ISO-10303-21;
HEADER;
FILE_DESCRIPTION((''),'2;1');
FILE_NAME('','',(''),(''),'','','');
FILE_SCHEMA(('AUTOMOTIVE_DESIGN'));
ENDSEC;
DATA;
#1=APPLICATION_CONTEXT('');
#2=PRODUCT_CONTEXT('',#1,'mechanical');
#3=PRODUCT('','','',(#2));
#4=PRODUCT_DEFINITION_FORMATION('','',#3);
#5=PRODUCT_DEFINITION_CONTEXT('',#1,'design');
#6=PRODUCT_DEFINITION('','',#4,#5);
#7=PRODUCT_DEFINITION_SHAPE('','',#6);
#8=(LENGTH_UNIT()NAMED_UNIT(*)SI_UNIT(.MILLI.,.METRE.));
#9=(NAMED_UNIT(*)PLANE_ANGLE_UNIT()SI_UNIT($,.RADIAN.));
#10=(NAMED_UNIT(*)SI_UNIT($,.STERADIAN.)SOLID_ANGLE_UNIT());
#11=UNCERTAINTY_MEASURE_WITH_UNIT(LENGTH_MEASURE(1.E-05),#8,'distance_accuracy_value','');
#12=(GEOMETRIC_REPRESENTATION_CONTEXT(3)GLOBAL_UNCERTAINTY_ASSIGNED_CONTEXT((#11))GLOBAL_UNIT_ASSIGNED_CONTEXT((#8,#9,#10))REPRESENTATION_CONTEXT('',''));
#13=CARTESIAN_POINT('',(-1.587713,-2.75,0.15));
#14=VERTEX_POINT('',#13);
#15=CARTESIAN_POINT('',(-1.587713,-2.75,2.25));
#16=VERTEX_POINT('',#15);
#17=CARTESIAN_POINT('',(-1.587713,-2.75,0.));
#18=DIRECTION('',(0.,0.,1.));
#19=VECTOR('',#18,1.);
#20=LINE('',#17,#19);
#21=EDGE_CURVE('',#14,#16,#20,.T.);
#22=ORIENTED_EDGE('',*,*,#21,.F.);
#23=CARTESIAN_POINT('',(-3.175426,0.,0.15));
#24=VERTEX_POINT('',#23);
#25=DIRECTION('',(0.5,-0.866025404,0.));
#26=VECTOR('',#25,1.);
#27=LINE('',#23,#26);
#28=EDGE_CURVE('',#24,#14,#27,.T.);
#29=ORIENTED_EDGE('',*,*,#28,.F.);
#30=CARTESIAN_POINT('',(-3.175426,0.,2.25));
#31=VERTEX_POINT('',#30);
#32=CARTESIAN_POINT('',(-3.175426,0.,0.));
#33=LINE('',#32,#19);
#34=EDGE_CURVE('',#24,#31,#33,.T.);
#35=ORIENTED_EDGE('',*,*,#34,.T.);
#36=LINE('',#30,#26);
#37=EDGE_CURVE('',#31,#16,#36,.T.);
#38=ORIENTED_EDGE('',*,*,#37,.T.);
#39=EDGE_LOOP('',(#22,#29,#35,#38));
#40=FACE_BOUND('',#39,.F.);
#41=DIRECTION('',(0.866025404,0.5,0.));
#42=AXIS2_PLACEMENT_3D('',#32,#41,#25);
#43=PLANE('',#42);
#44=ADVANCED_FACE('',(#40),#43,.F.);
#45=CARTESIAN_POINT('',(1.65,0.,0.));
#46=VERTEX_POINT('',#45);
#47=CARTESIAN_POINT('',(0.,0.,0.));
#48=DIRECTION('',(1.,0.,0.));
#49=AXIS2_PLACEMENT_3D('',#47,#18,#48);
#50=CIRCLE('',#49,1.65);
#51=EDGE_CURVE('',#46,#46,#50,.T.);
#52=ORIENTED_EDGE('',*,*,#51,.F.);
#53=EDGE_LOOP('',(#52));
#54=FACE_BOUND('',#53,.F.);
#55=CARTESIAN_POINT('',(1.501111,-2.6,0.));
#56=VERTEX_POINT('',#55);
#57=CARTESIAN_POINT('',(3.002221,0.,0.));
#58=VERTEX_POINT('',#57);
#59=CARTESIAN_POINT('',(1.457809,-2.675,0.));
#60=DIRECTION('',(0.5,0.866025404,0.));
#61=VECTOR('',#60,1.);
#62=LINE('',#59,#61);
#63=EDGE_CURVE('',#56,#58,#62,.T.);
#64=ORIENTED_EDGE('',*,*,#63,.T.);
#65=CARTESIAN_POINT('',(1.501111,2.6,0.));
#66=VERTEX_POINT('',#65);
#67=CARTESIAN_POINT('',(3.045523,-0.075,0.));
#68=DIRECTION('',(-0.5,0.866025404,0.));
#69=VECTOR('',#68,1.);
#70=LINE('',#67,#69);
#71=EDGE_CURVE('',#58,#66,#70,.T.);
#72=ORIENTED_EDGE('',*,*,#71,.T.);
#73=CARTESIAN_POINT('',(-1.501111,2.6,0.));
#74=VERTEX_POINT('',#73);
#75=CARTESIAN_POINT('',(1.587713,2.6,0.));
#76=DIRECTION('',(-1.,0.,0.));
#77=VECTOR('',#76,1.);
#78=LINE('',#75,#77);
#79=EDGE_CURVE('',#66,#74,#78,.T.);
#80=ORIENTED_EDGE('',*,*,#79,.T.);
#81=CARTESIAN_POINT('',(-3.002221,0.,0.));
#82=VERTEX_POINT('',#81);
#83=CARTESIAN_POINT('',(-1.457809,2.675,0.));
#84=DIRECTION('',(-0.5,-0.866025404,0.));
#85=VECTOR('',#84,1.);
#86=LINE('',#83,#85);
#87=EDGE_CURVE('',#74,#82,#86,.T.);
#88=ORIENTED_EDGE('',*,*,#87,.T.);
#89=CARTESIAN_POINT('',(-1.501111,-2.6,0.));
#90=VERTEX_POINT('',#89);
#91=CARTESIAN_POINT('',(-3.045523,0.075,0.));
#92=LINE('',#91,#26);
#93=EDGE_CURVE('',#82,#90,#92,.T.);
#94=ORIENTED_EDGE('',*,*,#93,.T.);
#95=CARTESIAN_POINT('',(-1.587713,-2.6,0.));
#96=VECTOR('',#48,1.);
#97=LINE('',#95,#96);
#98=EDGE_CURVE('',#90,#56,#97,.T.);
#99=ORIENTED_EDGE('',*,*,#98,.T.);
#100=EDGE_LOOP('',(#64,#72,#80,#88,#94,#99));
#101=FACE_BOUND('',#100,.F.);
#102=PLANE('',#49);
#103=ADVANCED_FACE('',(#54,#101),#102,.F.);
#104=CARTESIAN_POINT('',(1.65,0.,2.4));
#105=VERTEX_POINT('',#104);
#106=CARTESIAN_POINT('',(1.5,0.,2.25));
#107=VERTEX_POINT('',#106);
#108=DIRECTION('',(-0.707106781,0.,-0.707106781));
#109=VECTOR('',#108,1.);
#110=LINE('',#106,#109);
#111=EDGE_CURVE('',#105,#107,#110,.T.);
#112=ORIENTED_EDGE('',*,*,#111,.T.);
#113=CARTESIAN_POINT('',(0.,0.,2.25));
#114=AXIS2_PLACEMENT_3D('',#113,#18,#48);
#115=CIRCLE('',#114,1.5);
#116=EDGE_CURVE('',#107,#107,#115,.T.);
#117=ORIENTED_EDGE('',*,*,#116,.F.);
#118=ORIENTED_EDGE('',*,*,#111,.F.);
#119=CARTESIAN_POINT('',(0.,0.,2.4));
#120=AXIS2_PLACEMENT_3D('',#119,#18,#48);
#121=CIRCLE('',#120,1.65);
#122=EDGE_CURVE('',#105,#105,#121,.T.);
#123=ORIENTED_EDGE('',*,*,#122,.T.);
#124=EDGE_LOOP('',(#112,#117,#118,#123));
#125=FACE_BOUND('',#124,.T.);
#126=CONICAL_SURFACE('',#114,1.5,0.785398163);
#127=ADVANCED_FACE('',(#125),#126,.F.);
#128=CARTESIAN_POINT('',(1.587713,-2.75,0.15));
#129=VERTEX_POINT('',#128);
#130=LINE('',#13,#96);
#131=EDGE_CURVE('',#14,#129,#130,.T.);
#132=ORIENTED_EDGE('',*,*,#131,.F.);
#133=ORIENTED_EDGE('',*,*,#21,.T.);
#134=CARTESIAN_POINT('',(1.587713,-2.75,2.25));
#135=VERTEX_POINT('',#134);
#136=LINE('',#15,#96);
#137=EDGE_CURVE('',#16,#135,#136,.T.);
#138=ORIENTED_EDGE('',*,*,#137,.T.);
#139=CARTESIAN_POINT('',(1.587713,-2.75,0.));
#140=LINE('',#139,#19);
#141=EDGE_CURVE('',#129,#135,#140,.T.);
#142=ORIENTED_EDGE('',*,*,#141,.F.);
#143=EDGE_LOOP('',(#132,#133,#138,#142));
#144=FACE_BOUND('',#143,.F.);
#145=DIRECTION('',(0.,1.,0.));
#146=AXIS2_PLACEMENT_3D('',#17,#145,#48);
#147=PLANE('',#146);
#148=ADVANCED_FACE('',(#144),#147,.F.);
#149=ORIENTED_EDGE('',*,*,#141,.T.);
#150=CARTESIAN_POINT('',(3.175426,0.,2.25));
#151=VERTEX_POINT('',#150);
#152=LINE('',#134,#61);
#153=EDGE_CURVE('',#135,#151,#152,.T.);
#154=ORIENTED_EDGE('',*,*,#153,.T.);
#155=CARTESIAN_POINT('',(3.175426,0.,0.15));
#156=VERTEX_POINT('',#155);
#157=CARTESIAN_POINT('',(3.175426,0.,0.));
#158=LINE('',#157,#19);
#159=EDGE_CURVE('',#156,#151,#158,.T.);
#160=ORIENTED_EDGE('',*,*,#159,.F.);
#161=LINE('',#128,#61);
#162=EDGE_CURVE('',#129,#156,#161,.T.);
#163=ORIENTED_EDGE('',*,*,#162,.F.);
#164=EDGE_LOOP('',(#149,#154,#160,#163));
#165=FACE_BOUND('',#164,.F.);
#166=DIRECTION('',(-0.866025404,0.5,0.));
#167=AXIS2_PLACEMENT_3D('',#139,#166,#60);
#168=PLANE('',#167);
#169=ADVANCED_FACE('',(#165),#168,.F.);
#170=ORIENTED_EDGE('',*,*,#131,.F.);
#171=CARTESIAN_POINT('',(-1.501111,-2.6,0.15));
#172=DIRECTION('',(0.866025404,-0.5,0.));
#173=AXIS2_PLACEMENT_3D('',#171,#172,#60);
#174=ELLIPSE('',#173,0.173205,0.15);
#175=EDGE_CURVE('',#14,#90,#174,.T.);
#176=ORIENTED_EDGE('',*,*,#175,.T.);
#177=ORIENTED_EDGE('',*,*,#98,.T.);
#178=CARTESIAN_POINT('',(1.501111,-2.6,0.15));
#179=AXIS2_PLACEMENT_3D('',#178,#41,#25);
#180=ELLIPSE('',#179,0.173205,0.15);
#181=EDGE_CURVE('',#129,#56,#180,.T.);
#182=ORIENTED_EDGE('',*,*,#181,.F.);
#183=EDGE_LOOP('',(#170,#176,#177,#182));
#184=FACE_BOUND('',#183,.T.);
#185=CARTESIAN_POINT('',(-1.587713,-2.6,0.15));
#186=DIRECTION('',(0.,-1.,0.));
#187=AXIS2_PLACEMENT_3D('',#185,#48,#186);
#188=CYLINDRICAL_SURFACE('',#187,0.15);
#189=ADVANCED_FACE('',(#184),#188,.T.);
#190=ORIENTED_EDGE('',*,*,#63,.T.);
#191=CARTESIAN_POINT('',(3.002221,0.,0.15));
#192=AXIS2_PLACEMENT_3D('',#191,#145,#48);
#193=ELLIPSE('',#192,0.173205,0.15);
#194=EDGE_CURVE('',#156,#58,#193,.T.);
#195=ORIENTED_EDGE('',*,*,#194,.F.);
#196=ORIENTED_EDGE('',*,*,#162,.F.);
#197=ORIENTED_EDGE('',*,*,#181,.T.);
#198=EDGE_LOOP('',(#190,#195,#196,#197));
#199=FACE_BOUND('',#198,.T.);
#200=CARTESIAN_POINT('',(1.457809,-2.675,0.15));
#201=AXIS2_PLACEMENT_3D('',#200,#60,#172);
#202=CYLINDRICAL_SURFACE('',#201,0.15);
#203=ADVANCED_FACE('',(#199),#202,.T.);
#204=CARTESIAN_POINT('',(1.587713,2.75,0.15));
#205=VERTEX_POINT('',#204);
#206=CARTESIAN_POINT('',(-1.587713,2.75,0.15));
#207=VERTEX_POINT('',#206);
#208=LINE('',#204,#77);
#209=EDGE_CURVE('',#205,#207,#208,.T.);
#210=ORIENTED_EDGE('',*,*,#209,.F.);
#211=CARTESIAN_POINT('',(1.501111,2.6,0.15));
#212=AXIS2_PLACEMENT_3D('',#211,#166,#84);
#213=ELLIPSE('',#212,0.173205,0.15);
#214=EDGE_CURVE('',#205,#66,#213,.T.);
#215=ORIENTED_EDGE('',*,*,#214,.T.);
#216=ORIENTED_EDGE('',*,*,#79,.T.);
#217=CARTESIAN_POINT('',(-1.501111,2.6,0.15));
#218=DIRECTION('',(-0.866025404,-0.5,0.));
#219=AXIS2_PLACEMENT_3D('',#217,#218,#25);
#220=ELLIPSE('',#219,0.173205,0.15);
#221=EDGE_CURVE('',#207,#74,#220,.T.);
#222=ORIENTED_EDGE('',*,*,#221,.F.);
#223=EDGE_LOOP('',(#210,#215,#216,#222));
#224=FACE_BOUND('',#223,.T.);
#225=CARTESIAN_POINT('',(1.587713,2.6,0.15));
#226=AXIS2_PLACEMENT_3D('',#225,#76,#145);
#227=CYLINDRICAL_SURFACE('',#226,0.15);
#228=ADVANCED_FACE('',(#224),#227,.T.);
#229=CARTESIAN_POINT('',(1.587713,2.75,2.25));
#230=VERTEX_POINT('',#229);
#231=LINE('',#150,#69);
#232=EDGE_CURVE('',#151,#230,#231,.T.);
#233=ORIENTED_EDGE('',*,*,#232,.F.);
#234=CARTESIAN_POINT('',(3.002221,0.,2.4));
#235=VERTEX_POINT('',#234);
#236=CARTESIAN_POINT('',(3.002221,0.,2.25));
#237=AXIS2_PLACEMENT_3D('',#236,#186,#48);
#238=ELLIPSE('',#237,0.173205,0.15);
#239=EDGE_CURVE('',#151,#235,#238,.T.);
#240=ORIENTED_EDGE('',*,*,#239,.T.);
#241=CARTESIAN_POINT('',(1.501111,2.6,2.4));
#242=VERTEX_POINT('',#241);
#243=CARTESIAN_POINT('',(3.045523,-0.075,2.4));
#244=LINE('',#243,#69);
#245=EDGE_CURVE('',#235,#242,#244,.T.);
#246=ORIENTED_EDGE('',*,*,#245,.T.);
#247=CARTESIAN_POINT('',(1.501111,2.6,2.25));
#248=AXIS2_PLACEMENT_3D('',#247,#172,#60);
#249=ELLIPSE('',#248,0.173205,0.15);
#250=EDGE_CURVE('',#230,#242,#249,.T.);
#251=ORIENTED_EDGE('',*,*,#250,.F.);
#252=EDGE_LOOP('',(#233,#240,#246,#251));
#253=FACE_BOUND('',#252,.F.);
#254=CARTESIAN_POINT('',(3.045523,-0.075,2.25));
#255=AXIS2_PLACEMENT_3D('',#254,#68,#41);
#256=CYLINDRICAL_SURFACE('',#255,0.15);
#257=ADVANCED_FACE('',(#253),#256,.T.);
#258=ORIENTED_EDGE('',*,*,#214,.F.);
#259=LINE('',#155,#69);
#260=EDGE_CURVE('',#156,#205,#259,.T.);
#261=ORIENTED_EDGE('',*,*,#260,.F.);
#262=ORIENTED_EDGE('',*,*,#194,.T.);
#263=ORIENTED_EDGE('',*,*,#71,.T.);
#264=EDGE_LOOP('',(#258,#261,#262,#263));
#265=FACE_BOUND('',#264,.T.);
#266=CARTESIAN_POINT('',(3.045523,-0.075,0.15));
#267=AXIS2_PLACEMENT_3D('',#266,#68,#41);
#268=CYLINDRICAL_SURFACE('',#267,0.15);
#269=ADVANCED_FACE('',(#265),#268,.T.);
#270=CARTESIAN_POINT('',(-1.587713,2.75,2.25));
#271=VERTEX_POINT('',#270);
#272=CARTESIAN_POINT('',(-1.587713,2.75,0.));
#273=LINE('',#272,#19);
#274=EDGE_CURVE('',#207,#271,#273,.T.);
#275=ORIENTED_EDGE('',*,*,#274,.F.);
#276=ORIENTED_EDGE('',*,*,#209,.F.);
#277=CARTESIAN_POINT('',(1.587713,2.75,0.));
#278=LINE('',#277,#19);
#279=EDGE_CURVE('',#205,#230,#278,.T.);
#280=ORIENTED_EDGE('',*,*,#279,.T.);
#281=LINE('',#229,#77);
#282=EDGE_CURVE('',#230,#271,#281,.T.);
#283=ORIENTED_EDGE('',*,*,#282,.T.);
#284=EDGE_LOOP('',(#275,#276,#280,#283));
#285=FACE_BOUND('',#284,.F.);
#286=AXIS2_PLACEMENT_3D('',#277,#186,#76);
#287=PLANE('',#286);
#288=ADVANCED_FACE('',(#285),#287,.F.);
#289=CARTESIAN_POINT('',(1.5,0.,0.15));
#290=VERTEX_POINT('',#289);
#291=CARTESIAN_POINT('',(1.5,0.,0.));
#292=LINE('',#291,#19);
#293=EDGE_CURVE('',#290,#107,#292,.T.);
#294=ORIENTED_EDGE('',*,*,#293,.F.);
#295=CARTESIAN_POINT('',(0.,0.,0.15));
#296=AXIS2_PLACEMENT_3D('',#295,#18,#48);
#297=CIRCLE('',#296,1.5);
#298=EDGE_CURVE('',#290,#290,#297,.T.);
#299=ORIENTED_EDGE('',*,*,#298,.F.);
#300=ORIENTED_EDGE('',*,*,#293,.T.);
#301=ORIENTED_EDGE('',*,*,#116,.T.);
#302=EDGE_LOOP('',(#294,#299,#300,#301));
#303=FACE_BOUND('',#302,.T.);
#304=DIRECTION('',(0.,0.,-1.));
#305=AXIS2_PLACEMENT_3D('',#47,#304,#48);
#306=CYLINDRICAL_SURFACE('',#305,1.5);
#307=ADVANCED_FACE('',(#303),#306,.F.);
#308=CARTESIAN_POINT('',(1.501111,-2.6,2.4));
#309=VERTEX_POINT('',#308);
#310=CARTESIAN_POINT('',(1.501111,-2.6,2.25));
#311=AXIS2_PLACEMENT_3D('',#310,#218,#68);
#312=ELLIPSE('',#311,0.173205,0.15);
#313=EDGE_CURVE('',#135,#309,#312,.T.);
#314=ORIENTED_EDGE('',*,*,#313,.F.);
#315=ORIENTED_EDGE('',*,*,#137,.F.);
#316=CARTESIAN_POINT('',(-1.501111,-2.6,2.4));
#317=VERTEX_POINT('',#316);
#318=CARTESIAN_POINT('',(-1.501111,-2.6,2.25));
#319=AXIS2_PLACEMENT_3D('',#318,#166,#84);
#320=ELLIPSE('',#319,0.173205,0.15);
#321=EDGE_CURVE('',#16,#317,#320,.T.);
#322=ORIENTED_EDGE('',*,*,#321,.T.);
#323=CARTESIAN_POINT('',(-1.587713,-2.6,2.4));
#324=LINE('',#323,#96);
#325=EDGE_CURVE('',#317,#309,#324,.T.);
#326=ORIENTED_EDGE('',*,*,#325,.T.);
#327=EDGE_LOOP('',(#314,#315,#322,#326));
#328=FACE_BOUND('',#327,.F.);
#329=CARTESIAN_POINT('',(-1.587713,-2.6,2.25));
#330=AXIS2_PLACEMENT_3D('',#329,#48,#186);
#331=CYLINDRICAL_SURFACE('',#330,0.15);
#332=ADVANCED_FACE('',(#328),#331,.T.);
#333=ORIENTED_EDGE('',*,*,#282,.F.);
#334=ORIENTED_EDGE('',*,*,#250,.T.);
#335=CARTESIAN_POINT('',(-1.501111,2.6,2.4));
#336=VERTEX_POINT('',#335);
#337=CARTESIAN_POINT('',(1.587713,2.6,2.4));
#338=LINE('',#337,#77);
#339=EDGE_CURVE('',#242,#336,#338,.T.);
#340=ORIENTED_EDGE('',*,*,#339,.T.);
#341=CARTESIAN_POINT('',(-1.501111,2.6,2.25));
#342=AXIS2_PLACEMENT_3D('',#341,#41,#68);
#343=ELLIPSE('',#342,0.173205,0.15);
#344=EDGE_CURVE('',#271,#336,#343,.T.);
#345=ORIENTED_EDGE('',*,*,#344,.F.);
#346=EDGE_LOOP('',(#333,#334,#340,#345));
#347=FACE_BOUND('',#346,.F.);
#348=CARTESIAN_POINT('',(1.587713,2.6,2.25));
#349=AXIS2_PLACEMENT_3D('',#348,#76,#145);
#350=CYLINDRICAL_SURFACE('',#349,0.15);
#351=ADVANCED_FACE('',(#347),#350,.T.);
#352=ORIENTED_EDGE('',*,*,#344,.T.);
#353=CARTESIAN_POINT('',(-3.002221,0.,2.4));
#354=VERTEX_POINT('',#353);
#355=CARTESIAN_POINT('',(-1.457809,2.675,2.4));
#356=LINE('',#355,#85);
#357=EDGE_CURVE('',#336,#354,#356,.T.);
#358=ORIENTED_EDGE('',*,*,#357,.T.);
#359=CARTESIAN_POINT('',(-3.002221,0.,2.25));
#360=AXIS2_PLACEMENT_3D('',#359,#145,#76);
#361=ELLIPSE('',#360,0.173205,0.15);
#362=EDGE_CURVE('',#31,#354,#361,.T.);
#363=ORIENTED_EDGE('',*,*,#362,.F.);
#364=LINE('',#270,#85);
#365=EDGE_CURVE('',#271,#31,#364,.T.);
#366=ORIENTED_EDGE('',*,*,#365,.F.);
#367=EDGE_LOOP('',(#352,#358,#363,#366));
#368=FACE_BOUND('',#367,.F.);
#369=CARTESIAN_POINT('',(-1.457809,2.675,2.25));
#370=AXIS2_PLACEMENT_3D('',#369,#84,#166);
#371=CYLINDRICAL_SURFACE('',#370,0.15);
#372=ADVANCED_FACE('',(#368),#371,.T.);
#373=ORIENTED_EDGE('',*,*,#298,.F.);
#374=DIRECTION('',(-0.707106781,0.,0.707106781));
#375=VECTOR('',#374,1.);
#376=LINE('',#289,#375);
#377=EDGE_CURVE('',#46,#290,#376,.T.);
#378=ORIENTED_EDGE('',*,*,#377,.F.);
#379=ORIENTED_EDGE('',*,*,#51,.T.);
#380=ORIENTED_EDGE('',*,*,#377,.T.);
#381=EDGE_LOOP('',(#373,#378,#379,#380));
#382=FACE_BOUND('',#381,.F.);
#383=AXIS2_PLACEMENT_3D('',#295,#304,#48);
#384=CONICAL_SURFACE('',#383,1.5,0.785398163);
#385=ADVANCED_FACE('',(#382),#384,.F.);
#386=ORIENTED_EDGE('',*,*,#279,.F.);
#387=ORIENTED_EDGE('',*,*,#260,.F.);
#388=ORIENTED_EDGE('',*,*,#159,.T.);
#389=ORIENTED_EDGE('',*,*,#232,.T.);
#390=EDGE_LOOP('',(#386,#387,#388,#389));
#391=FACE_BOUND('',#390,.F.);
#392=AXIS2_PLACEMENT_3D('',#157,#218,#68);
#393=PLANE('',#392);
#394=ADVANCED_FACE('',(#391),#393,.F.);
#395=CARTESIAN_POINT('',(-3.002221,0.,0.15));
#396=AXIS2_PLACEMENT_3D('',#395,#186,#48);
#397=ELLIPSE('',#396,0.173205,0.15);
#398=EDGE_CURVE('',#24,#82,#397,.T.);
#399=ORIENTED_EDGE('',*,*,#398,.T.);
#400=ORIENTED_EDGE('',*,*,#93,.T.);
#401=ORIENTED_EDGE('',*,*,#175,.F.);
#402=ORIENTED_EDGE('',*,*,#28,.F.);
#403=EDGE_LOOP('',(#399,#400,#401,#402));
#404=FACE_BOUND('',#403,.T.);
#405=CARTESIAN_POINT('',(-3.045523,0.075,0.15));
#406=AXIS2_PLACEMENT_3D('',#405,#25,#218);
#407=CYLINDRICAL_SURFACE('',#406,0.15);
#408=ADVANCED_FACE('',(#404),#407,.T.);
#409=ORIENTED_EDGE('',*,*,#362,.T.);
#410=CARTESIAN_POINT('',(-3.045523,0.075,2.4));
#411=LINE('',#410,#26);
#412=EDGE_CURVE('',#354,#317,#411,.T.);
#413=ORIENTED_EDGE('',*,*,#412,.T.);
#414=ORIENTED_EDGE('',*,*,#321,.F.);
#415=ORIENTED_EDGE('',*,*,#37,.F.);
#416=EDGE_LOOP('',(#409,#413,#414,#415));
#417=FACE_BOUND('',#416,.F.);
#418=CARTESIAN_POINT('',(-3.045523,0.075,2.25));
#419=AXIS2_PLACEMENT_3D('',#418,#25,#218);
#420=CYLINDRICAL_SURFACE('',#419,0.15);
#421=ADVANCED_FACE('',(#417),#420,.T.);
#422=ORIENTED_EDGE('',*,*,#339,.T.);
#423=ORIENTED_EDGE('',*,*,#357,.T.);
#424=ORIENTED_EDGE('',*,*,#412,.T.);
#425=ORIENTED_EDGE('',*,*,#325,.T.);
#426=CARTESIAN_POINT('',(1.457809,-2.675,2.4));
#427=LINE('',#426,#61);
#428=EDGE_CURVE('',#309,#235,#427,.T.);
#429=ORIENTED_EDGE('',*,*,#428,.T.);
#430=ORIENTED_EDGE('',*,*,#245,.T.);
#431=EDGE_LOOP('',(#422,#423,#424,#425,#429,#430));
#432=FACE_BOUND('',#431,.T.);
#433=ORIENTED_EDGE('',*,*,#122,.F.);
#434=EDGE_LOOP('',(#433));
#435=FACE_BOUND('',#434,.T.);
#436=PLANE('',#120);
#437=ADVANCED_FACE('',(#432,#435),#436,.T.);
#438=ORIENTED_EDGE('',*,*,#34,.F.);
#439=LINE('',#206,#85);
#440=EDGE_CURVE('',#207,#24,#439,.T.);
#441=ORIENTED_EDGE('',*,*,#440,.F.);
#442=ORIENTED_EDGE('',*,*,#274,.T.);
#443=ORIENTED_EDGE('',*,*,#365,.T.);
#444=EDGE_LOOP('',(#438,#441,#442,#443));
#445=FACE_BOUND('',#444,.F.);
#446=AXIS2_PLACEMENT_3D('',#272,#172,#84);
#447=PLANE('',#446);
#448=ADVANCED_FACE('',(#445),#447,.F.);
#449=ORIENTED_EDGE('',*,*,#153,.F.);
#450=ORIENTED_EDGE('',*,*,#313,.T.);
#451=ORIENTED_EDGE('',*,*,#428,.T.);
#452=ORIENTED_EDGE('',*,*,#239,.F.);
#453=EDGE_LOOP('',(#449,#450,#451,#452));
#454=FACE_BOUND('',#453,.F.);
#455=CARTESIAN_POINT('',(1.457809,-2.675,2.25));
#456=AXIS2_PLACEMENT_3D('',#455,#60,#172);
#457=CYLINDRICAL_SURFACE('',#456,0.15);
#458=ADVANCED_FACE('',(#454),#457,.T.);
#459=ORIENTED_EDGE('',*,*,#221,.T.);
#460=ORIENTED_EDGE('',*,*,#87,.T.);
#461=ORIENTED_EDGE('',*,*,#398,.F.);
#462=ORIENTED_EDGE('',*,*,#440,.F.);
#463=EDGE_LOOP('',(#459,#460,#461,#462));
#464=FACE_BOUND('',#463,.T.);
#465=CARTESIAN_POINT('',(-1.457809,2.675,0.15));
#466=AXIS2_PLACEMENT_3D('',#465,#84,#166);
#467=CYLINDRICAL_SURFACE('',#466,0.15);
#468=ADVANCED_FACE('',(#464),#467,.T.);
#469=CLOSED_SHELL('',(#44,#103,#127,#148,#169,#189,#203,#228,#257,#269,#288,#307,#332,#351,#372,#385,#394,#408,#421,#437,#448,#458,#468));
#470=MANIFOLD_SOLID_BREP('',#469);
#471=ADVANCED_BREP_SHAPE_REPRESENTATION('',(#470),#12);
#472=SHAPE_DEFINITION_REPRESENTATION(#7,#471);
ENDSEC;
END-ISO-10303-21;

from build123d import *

# Parameters (mm, degrees)
F2_R     = 1.5
F3_DEPTH = 2.4
F4_R     = 0.15
F5_SIZE  = 0.15


with BuildPart() as f3:
    # F2 (on Top) → F3 (new body)
    with BuildSketch(Plane.XY):
        Polygon((1.5877132403, 2.75), (-1.5877132403, 2.75), (-3.1754264805, 0), (-1.5877132403, -2.75), (1.5877132403, -2.75), (3.1754264805, 0), align=None)
        Circle(F2_R, mode=Mode.SUBTRACT)
    extrude(amount=F3_DEPTH)

    # F4
    f4_edges = [f3.edges().sort_by_distance(p)[0] for p in [
        (2.38157, -1.375, 2.4),
        (2.38157, 1.375, 2.4),
        (0, 2.75, 2.4),
        (-2.38157, 1.375, 2.4),
        (-2.38157, -1.375, 2.4),
        (0, -2.75, 2.4),
        (0, -2.75, 0),
        (2.38157, -1.375, 0),
        (-2.38157, -1.375, 0),
        (-2.38157, 1.375, 0),
        (0, 2.75, 0),
        (2.38157, 1.375, 0),
    ]]
    fillet(f4_edges, radius=F4_R)

    # F5
    f5_edges = [f3.edges().sort_by_distance(p)[0] for p in [
        (-1.5, 0, 2.4),
        (-1.5, 0, 0),
    ]]
    chamfer(f5_edges, length=F5_SIZE)


solid = f3.part
